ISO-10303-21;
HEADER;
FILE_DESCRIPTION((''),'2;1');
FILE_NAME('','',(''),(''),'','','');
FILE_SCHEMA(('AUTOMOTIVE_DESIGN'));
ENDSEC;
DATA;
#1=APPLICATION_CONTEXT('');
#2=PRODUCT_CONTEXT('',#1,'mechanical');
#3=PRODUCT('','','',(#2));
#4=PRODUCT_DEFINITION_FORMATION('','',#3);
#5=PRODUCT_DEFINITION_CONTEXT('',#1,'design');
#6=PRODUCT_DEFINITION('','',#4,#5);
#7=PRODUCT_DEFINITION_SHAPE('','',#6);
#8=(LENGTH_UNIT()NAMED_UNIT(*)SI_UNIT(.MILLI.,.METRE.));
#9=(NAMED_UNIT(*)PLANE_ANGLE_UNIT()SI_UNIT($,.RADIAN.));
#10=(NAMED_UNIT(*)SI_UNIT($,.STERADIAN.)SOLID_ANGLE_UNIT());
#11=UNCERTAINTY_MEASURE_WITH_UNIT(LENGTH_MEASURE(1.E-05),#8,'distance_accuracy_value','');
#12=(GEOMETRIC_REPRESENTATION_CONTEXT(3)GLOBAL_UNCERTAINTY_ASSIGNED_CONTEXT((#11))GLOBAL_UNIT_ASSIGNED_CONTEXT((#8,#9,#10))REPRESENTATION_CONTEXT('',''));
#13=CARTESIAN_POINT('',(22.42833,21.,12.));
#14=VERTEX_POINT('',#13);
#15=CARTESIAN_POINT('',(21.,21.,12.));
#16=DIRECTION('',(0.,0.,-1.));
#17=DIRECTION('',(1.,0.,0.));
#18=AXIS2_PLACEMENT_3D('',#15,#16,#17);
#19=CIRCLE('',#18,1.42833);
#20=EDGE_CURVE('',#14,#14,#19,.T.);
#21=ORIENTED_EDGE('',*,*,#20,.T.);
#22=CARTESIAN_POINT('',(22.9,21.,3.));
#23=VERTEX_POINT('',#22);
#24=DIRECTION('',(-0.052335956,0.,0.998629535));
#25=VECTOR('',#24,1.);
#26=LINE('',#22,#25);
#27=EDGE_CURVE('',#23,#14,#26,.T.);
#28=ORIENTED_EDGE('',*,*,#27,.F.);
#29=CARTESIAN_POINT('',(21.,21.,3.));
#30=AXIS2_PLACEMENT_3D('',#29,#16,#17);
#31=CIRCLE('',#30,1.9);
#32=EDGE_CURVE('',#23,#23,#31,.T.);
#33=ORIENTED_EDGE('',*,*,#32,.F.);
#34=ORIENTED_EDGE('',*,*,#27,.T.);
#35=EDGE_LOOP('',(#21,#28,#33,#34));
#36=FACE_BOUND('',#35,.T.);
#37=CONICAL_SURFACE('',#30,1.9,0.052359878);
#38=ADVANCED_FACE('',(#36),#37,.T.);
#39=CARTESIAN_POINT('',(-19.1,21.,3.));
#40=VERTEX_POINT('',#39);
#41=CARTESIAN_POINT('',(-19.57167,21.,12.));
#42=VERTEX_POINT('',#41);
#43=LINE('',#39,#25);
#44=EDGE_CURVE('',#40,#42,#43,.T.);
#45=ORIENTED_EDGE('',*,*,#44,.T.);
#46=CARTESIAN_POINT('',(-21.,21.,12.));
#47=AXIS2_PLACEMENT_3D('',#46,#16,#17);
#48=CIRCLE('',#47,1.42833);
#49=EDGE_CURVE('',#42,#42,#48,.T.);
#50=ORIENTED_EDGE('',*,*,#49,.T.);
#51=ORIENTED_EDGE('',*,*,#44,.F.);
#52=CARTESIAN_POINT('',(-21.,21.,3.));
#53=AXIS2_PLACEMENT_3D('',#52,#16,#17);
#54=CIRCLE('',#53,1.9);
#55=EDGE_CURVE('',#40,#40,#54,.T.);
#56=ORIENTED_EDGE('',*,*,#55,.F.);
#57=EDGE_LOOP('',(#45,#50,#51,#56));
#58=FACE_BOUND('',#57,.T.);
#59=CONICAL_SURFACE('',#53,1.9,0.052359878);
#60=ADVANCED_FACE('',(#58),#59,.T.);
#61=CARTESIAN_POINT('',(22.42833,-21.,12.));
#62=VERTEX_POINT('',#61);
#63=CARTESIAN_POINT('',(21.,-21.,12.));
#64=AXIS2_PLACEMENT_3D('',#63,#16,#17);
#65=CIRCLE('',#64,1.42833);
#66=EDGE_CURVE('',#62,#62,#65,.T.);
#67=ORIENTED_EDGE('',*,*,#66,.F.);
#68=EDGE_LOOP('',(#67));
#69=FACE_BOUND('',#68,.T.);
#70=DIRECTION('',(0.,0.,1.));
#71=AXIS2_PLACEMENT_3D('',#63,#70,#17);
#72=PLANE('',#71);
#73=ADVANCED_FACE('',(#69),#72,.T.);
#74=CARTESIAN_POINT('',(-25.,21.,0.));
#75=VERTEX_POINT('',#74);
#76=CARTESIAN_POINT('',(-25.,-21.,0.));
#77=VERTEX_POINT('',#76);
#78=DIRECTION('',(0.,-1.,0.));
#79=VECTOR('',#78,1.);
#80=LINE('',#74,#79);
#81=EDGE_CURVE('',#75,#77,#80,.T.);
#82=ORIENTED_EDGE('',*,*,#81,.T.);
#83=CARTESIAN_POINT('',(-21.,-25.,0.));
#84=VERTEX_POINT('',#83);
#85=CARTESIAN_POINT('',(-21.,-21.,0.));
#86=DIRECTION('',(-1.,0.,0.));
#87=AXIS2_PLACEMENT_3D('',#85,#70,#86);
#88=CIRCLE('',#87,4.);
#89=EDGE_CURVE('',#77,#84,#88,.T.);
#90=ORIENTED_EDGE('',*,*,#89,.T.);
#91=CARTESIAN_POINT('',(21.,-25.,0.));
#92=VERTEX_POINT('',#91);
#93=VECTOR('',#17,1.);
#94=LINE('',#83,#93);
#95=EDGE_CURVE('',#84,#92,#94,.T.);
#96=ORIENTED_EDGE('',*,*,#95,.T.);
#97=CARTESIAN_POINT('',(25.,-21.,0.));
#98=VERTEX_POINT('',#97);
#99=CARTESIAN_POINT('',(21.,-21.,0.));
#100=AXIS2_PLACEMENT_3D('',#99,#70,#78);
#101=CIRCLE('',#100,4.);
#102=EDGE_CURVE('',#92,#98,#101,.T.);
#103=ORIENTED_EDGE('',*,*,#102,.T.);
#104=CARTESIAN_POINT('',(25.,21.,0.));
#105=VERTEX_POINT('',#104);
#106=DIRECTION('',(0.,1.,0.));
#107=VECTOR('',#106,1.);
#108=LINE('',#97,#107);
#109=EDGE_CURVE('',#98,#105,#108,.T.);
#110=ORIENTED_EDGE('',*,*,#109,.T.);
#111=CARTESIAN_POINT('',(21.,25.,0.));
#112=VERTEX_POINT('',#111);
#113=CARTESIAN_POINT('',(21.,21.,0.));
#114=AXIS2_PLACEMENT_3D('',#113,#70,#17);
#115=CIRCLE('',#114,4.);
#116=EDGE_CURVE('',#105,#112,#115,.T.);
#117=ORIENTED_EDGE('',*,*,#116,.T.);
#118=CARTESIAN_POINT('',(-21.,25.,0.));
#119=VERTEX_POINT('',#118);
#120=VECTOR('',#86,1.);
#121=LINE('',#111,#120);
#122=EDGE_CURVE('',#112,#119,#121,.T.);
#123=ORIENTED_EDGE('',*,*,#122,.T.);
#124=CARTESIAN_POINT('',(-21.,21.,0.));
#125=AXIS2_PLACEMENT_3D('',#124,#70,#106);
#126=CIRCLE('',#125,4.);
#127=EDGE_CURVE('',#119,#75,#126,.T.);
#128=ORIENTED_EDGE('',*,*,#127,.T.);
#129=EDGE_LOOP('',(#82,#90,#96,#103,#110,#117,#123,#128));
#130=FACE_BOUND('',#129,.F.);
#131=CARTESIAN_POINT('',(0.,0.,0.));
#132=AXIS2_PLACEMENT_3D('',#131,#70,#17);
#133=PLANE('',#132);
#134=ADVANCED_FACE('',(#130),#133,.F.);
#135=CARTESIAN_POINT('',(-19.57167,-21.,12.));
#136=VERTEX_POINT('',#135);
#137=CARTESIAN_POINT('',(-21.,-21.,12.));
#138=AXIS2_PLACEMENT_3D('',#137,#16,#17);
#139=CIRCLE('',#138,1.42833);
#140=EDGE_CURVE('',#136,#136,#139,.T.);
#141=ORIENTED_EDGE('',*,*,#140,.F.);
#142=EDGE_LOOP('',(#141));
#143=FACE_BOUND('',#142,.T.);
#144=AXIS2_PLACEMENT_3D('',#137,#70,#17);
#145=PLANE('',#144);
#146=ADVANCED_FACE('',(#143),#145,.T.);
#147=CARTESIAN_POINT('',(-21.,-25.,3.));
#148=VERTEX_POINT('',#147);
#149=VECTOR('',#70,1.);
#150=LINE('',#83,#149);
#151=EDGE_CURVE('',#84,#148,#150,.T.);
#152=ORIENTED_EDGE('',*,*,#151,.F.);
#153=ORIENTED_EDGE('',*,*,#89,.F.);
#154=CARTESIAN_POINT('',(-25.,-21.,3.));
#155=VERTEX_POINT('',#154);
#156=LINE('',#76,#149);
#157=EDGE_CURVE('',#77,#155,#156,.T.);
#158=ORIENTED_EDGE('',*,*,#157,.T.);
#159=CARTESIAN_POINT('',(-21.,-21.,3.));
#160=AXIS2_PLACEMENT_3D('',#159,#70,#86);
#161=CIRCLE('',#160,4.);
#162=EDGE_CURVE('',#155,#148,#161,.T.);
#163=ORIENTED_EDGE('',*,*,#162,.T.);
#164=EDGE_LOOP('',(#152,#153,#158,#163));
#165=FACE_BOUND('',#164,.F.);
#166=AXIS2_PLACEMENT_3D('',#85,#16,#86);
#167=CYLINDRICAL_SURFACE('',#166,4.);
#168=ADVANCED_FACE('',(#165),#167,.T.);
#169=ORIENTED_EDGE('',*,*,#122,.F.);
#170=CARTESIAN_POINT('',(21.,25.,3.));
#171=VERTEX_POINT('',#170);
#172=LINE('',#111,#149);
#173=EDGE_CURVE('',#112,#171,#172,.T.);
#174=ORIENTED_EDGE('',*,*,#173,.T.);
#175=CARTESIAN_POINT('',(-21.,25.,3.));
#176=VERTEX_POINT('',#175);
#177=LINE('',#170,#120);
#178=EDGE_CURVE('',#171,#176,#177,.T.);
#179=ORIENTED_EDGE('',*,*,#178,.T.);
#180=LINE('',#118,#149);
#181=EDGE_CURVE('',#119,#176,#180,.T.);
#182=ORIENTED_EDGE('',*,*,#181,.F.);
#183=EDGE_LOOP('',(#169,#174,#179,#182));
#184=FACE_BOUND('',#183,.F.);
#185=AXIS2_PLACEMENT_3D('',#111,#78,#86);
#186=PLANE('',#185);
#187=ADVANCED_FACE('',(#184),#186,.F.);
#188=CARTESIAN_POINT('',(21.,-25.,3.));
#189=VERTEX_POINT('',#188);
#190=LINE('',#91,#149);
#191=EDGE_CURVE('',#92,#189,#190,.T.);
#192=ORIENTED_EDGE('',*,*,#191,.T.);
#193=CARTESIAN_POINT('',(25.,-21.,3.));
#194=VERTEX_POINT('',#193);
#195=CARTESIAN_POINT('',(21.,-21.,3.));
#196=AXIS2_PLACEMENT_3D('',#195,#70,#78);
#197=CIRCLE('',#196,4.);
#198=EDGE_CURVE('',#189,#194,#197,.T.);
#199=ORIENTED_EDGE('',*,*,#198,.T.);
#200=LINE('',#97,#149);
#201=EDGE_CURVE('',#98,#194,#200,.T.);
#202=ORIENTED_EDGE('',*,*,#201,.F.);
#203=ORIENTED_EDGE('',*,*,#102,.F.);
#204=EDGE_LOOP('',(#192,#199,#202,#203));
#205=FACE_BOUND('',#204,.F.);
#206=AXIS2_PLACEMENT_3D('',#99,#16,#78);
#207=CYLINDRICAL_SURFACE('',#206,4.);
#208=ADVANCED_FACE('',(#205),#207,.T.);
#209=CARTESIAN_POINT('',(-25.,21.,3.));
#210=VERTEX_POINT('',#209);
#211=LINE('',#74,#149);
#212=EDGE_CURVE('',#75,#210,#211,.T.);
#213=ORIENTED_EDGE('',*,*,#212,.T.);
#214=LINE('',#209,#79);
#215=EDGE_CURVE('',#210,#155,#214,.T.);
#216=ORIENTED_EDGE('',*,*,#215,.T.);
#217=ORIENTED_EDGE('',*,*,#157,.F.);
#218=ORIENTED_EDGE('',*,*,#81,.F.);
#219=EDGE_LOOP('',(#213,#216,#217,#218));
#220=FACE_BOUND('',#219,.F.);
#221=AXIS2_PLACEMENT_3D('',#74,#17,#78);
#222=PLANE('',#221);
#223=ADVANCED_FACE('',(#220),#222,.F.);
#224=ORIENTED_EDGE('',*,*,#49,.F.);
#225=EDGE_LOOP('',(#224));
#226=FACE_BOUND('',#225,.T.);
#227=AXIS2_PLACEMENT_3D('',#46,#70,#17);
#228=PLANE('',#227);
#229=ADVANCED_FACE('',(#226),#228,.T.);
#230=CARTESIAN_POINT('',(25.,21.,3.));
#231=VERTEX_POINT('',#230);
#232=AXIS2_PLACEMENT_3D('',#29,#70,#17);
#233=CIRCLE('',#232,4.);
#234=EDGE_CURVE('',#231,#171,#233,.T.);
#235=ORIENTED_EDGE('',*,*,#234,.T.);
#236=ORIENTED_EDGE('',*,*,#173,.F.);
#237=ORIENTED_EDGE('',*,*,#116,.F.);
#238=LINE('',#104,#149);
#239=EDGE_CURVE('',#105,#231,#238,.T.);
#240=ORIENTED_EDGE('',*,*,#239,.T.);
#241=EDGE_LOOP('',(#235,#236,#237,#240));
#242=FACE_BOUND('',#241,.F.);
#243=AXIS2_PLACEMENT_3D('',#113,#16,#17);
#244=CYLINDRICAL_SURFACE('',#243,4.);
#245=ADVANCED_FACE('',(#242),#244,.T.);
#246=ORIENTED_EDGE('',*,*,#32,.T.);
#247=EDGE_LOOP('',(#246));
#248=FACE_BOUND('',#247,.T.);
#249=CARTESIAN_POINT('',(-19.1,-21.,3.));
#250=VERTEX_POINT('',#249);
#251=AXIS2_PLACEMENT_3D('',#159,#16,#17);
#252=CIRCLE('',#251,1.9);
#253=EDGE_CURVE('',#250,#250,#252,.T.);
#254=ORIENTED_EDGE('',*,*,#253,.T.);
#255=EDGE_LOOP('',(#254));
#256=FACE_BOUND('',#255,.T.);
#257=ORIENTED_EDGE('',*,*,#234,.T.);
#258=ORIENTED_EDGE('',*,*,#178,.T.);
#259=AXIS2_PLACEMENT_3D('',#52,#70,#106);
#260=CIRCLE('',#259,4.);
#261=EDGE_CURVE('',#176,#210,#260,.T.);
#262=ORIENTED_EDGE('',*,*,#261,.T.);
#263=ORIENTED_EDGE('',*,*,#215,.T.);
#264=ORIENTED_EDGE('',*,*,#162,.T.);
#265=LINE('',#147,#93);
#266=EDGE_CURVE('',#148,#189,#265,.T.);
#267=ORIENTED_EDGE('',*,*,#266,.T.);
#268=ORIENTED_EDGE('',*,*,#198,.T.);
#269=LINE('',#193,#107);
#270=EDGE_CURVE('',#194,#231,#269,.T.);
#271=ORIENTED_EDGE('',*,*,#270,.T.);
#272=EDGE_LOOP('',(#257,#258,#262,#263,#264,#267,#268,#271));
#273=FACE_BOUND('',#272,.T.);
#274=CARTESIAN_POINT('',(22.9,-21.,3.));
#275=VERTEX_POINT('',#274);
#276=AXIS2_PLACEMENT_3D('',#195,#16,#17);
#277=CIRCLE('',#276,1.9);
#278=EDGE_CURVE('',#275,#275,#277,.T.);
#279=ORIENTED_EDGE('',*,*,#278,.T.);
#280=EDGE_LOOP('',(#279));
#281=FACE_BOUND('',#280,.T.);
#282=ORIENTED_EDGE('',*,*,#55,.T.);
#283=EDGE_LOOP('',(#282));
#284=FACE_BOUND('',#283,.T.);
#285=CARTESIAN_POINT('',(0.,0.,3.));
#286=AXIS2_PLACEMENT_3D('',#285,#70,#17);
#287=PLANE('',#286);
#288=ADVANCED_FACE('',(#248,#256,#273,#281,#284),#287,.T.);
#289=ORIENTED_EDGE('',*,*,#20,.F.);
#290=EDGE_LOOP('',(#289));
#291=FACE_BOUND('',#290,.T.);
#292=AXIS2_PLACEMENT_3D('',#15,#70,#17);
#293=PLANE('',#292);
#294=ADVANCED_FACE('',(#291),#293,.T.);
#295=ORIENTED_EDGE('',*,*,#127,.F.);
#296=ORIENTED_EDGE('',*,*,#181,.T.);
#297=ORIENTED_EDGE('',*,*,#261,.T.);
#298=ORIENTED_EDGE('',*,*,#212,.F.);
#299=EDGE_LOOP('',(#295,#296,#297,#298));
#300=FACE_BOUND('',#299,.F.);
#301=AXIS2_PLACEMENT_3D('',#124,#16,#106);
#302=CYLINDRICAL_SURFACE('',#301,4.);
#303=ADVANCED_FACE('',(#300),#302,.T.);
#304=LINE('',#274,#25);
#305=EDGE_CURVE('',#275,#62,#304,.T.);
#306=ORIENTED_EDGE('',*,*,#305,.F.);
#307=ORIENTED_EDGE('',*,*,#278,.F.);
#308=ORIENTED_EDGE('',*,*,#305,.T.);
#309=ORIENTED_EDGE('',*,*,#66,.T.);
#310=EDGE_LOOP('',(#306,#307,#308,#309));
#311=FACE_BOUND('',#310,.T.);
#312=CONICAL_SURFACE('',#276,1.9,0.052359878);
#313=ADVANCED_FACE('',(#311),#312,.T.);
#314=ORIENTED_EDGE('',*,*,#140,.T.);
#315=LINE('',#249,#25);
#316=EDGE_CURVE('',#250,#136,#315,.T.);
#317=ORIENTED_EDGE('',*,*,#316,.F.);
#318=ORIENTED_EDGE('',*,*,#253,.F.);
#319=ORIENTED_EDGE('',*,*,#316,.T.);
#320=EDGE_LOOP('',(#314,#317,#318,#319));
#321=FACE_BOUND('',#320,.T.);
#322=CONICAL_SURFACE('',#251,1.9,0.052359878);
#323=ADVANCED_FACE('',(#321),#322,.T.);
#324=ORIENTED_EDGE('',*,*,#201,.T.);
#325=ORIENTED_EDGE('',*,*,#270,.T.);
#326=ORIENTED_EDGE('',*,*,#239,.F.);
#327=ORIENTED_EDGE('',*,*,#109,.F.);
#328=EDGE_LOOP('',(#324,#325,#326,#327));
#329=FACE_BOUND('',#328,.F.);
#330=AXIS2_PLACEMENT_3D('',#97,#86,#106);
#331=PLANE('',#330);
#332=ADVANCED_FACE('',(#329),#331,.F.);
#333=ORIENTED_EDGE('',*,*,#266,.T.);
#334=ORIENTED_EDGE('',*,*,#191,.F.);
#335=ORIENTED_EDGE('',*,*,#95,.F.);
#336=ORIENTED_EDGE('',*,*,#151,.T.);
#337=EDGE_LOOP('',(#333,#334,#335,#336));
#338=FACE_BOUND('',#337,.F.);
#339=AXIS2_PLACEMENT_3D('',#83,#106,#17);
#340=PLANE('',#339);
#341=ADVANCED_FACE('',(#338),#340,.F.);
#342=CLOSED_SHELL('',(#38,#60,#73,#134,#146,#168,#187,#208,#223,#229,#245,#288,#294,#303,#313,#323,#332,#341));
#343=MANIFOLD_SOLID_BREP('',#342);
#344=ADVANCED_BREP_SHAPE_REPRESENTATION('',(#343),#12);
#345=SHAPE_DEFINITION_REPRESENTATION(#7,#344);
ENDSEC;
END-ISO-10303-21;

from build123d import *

# Parameters (mm, degrees)
F1_DEPTH = 3
F2_R     = 1.9
F3_DEPTH = 9
F3_TAPER = 3


with BuildPart() as f1:
    # F0 (on Top) → F1 (new body)
    with BuildSketch(Plane.XY):
        with BuildLine():
            Line((21, 25), (-21, 25))
            ThreePointArc((-21, 25), (-23.8284271247, 23.8284271247), (-25, 21))
            Line((-25, 21), (-25, -21))
            ThreePointArc((-25, -21), (-23.8284271247, -23.8284271247), (-21, -25))
            Line((-21, -25), (21, -25))
            ThreePointArc((21, -25), (23.8284271247, -23.8284271247), (25, -21))
            Line((25, -21), (25, 21))
            ThreePointArc((25, 21), (23.8284271247, 23.8284271247), (21, 25))
        make_face()
    extrude(amount=F1_DEPTH)

    # F2 (on face) → F3 (join)
    with BuildSketch(Plane.XY.offset(3)):
        with Locations((-21, 21)):
            Circle(F2_R)
        with Locations((21, 21)):
            Circle(F2_R)
        with Locations((21, -21)):
            Circle(F2_R)
        with Locations((-21, -21)):
            Circle(F2_R)
    extrude(amount=F3_DEPTH, taper=F3_TAPER)


solid = f1.part
